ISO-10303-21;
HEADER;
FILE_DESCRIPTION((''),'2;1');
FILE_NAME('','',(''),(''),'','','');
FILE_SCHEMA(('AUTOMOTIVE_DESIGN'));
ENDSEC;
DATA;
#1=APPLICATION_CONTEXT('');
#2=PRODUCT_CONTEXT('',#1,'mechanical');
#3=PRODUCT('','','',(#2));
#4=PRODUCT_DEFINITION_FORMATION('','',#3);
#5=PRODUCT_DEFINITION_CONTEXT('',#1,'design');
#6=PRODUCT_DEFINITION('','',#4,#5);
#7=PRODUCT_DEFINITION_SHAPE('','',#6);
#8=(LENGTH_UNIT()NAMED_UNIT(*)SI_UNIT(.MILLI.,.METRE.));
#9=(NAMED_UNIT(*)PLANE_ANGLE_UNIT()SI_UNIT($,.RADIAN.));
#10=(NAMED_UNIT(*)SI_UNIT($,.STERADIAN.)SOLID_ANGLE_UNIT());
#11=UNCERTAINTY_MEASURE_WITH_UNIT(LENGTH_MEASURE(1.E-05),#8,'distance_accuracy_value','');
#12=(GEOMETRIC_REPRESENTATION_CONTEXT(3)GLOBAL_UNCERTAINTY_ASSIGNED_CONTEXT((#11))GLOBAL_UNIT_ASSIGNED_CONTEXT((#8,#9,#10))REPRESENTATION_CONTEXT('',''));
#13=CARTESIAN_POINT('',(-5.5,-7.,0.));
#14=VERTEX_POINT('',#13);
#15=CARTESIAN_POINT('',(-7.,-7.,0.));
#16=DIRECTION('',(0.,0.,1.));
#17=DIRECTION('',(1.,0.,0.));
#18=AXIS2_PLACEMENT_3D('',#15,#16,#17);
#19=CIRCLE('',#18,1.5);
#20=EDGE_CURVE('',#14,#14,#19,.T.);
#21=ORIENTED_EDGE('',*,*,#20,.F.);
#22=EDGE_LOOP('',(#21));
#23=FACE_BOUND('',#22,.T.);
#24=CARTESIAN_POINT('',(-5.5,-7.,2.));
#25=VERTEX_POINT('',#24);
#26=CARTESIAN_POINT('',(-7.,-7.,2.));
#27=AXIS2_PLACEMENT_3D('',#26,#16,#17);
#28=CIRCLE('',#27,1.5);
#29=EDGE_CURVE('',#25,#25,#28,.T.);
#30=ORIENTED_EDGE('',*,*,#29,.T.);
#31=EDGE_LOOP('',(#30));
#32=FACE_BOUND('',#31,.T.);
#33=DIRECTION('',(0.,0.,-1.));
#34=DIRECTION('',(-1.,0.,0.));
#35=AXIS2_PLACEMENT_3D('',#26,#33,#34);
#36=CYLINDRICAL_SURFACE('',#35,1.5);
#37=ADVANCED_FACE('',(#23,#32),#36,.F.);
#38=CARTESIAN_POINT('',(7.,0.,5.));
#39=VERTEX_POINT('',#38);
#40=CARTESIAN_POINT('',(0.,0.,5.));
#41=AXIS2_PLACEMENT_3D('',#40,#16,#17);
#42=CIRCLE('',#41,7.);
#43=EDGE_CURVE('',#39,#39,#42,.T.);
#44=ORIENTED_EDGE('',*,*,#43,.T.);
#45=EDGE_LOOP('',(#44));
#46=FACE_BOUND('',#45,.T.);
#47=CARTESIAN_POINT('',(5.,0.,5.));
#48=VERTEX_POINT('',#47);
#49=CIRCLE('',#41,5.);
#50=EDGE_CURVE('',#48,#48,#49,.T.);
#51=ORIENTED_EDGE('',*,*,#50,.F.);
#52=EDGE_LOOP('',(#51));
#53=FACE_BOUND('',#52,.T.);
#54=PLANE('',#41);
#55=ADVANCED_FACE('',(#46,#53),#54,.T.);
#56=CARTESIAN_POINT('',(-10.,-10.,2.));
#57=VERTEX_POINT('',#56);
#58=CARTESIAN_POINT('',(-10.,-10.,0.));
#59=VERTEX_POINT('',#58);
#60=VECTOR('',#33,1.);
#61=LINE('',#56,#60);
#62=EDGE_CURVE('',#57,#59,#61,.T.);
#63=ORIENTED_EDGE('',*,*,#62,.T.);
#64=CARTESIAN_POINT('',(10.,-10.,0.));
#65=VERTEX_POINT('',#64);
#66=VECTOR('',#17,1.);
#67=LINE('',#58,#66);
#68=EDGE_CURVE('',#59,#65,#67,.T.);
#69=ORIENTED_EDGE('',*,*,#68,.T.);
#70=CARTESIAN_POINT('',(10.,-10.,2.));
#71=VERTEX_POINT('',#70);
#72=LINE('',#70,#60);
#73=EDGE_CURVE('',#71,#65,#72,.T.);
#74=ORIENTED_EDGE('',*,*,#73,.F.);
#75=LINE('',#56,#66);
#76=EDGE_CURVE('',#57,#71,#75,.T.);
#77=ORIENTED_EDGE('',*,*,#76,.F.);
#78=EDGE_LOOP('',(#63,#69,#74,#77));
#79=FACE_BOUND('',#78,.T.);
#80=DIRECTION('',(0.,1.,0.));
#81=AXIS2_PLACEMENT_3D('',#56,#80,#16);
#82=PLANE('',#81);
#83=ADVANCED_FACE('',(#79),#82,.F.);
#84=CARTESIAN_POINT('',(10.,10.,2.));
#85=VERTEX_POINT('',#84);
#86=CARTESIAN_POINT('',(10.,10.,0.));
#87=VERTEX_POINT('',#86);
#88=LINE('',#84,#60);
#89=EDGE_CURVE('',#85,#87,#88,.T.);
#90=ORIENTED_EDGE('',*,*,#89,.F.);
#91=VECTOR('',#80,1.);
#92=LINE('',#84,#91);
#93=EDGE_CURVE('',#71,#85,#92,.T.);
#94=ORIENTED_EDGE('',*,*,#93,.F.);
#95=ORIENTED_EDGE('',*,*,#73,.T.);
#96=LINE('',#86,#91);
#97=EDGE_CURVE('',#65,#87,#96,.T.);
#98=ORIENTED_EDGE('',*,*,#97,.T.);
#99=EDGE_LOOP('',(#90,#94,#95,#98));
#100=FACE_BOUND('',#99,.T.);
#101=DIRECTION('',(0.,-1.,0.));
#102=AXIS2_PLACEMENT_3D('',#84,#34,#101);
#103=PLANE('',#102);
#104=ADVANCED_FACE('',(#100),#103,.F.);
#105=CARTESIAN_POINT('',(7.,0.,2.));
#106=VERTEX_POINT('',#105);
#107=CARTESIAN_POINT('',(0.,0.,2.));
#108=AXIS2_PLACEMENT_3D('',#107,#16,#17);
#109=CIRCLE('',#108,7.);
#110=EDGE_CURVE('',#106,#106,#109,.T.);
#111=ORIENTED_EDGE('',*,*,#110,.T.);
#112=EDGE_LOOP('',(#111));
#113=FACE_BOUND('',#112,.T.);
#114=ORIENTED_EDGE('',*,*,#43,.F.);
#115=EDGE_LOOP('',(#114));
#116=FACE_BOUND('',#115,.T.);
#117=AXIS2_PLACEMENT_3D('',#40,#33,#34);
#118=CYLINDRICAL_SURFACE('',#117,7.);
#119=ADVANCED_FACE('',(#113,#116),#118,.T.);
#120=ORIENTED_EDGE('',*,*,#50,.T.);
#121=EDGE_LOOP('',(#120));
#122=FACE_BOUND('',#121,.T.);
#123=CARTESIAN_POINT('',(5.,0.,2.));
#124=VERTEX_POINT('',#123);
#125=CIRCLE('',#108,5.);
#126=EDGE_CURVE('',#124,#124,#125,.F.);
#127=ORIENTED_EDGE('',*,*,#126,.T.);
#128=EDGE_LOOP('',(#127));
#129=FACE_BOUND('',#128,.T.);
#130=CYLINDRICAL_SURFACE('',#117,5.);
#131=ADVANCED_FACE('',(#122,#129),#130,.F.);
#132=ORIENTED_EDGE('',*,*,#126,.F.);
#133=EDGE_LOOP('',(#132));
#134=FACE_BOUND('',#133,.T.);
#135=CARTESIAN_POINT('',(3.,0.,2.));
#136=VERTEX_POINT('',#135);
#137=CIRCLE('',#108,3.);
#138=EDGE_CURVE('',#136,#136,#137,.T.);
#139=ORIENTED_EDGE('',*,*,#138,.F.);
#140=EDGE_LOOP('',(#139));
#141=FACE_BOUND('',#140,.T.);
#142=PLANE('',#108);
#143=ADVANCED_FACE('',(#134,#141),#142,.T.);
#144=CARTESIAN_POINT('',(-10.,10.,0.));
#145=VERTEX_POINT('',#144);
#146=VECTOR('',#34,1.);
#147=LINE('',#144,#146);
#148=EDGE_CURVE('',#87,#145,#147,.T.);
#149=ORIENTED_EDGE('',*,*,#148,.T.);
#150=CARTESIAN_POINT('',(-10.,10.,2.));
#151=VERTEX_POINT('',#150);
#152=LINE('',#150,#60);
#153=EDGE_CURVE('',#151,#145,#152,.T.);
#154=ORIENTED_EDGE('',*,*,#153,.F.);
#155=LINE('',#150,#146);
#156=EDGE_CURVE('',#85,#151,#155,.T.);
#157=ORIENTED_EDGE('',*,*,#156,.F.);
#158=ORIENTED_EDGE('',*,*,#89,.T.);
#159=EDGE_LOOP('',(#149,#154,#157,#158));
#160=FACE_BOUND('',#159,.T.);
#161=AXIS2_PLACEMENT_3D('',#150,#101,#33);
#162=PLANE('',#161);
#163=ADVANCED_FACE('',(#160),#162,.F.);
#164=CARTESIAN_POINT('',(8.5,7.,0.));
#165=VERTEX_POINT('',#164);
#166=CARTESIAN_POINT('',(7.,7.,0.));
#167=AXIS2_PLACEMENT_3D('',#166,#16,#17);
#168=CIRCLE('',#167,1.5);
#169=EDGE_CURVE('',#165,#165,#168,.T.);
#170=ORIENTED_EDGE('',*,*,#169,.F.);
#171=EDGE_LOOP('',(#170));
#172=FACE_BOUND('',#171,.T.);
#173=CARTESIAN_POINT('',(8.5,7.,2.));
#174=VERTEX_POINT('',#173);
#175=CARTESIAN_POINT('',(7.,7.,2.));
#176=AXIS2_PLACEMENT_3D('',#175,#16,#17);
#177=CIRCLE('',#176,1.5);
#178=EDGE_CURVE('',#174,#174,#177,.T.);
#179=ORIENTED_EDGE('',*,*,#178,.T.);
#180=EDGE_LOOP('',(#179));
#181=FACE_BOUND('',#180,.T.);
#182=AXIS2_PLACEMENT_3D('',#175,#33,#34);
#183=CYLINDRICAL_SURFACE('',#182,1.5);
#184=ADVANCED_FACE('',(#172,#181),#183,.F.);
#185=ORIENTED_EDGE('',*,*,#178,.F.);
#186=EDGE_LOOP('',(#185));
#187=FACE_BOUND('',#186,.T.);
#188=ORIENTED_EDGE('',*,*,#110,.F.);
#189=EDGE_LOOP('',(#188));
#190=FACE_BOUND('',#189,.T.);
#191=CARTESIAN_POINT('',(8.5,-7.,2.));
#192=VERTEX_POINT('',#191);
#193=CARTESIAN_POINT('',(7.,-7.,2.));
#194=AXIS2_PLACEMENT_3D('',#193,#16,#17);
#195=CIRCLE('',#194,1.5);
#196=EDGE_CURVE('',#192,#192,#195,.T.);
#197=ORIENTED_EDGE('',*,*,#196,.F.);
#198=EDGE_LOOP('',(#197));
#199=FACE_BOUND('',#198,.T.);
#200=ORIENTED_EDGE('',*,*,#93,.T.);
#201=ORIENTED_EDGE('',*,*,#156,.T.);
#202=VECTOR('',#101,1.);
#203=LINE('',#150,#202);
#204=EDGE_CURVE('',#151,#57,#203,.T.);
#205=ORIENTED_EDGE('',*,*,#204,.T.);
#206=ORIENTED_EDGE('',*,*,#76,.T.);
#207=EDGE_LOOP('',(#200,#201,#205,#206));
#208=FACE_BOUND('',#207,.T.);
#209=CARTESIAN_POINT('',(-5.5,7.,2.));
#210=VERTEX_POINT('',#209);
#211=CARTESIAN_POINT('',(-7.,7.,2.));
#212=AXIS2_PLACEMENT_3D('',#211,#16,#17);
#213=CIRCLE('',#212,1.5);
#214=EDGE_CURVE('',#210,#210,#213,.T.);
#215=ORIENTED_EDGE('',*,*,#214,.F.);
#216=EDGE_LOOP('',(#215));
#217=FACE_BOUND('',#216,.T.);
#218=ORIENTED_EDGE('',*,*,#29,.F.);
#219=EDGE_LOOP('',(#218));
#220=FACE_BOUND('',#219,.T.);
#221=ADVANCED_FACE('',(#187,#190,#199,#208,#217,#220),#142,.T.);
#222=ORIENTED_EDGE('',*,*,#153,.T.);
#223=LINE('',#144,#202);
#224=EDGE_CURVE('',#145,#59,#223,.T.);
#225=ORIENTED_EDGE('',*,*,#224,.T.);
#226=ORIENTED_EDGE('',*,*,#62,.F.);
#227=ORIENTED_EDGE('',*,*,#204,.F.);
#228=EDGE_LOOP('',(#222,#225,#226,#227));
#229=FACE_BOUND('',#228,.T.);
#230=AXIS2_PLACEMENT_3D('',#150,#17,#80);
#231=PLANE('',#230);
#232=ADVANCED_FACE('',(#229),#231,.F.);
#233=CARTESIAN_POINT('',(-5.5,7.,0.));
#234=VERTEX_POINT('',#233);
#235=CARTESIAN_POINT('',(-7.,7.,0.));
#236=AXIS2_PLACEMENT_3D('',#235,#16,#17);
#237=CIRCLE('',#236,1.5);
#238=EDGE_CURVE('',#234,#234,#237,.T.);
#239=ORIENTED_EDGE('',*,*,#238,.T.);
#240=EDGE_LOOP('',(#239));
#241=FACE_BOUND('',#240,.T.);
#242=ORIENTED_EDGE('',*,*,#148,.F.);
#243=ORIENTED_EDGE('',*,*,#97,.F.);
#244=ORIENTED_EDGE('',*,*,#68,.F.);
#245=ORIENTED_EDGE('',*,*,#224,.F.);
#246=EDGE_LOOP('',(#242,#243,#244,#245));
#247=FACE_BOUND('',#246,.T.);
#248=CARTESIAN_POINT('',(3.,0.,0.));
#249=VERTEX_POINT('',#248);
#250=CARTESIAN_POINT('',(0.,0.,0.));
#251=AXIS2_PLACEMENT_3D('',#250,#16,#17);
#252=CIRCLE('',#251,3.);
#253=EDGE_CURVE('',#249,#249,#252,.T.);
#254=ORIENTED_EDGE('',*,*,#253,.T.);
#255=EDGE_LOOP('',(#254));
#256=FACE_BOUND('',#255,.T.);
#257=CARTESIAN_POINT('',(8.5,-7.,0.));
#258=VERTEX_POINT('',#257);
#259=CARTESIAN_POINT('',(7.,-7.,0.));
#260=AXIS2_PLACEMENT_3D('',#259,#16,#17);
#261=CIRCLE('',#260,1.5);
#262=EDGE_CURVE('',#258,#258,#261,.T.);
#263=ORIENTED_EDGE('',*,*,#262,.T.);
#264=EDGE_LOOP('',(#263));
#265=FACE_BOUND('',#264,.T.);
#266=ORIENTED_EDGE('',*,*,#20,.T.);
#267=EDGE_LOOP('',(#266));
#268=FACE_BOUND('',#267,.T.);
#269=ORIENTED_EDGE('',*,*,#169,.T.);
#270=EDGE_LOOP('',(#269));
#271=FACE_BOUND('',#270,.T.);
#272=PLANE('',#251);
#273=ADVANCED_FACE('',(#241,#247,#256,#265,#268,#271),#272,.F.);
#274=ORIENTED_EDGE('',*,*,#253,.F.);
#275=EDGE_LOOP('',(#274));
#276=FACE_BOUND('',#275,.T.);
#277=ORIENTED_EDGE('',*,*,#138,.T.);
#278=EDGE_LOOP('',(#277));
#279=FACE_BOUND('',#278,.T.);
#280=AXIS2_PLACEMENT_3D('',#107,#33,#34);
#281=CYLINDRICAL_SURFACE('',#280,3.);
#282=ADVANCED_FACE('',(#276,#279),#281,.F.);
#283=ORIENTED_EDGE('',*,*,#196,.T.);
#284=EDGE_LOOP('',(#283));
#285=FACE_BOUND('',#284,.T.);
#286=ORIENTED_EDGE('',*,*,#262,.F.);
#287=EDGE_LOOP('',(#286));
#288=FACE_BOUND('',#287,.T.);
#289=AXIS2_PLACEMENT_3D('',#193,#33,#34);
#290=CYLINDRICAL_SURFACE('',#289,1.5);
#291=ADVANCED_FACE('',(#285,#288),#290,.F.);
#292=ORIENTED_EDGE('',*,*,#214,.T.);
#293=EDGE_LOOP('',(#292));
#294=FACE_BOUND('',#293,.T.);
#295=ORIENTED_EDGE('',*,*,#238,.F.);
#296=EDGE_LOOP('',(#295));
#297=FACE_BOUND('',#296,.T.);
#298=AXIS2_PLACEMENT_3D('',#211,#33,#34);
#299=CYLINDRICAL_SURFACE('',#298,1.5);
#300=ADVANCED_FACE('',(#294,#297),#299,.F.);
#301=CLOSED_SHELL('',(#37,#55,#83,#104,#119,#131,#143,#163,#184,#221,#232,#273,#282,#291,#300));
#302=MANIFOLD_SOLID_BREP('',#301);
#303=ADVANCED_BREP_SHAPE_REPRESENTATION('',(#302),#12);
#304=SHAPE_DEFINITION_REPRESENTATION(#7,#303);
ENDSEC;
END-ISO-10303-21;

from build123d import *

# Parameters (mm, degrees)
SKETCH_1_W      = 20
SKETCH_1_H      = 20
SKETCH_1_R      = 1.5
SKETCH_1_R_2    = 3
EXTRUDE_1_DEPTH = 2
SKETCH_2_R      = 7
SKETCH_2_R_2    = 5
EXTRUDE_2_DEPTH = 3


with BuildPart() as part:
    # 草图1 → 凸台-拉伸1 (new body)
    with BuildSketch(Plane.XY):
        Rectangle(SKETCH_1_W, SKETCH_1_H)
        with Locations((-7, 7)):
            Circle(SKETCH_1_R, mode=Mode.SUBTRACT)
        with Locations((7, 7)):
            Circle(SKETCH_1_R, mode=Mode.SUBTRACT)
        with Locations((7, -7)):
            Circle(SKETCH_1_R, mode=Mode.SUBTRACT)
        with Locations((-7, -7)):
            Circle(SKETCH_1_R, mode=Mode.SUBTRACT)
        Circle(SKETCH_1_R_2, mode=Mode.SUBTRACT)
    extrude(amount=EXTRUDE_1_DEPTH)

    # 草图2 → 凸台-拉伸2 (add)
    with BuildSketch(Plane.XY.offset(2)):
        Circle(SKETCH_2_R)
        Circle(SKETCH_2_R_2, mode=Mode.SUBTRACT)
    extrude(amount=EXTRUDE_2_DEPTH)


solid = part.part
